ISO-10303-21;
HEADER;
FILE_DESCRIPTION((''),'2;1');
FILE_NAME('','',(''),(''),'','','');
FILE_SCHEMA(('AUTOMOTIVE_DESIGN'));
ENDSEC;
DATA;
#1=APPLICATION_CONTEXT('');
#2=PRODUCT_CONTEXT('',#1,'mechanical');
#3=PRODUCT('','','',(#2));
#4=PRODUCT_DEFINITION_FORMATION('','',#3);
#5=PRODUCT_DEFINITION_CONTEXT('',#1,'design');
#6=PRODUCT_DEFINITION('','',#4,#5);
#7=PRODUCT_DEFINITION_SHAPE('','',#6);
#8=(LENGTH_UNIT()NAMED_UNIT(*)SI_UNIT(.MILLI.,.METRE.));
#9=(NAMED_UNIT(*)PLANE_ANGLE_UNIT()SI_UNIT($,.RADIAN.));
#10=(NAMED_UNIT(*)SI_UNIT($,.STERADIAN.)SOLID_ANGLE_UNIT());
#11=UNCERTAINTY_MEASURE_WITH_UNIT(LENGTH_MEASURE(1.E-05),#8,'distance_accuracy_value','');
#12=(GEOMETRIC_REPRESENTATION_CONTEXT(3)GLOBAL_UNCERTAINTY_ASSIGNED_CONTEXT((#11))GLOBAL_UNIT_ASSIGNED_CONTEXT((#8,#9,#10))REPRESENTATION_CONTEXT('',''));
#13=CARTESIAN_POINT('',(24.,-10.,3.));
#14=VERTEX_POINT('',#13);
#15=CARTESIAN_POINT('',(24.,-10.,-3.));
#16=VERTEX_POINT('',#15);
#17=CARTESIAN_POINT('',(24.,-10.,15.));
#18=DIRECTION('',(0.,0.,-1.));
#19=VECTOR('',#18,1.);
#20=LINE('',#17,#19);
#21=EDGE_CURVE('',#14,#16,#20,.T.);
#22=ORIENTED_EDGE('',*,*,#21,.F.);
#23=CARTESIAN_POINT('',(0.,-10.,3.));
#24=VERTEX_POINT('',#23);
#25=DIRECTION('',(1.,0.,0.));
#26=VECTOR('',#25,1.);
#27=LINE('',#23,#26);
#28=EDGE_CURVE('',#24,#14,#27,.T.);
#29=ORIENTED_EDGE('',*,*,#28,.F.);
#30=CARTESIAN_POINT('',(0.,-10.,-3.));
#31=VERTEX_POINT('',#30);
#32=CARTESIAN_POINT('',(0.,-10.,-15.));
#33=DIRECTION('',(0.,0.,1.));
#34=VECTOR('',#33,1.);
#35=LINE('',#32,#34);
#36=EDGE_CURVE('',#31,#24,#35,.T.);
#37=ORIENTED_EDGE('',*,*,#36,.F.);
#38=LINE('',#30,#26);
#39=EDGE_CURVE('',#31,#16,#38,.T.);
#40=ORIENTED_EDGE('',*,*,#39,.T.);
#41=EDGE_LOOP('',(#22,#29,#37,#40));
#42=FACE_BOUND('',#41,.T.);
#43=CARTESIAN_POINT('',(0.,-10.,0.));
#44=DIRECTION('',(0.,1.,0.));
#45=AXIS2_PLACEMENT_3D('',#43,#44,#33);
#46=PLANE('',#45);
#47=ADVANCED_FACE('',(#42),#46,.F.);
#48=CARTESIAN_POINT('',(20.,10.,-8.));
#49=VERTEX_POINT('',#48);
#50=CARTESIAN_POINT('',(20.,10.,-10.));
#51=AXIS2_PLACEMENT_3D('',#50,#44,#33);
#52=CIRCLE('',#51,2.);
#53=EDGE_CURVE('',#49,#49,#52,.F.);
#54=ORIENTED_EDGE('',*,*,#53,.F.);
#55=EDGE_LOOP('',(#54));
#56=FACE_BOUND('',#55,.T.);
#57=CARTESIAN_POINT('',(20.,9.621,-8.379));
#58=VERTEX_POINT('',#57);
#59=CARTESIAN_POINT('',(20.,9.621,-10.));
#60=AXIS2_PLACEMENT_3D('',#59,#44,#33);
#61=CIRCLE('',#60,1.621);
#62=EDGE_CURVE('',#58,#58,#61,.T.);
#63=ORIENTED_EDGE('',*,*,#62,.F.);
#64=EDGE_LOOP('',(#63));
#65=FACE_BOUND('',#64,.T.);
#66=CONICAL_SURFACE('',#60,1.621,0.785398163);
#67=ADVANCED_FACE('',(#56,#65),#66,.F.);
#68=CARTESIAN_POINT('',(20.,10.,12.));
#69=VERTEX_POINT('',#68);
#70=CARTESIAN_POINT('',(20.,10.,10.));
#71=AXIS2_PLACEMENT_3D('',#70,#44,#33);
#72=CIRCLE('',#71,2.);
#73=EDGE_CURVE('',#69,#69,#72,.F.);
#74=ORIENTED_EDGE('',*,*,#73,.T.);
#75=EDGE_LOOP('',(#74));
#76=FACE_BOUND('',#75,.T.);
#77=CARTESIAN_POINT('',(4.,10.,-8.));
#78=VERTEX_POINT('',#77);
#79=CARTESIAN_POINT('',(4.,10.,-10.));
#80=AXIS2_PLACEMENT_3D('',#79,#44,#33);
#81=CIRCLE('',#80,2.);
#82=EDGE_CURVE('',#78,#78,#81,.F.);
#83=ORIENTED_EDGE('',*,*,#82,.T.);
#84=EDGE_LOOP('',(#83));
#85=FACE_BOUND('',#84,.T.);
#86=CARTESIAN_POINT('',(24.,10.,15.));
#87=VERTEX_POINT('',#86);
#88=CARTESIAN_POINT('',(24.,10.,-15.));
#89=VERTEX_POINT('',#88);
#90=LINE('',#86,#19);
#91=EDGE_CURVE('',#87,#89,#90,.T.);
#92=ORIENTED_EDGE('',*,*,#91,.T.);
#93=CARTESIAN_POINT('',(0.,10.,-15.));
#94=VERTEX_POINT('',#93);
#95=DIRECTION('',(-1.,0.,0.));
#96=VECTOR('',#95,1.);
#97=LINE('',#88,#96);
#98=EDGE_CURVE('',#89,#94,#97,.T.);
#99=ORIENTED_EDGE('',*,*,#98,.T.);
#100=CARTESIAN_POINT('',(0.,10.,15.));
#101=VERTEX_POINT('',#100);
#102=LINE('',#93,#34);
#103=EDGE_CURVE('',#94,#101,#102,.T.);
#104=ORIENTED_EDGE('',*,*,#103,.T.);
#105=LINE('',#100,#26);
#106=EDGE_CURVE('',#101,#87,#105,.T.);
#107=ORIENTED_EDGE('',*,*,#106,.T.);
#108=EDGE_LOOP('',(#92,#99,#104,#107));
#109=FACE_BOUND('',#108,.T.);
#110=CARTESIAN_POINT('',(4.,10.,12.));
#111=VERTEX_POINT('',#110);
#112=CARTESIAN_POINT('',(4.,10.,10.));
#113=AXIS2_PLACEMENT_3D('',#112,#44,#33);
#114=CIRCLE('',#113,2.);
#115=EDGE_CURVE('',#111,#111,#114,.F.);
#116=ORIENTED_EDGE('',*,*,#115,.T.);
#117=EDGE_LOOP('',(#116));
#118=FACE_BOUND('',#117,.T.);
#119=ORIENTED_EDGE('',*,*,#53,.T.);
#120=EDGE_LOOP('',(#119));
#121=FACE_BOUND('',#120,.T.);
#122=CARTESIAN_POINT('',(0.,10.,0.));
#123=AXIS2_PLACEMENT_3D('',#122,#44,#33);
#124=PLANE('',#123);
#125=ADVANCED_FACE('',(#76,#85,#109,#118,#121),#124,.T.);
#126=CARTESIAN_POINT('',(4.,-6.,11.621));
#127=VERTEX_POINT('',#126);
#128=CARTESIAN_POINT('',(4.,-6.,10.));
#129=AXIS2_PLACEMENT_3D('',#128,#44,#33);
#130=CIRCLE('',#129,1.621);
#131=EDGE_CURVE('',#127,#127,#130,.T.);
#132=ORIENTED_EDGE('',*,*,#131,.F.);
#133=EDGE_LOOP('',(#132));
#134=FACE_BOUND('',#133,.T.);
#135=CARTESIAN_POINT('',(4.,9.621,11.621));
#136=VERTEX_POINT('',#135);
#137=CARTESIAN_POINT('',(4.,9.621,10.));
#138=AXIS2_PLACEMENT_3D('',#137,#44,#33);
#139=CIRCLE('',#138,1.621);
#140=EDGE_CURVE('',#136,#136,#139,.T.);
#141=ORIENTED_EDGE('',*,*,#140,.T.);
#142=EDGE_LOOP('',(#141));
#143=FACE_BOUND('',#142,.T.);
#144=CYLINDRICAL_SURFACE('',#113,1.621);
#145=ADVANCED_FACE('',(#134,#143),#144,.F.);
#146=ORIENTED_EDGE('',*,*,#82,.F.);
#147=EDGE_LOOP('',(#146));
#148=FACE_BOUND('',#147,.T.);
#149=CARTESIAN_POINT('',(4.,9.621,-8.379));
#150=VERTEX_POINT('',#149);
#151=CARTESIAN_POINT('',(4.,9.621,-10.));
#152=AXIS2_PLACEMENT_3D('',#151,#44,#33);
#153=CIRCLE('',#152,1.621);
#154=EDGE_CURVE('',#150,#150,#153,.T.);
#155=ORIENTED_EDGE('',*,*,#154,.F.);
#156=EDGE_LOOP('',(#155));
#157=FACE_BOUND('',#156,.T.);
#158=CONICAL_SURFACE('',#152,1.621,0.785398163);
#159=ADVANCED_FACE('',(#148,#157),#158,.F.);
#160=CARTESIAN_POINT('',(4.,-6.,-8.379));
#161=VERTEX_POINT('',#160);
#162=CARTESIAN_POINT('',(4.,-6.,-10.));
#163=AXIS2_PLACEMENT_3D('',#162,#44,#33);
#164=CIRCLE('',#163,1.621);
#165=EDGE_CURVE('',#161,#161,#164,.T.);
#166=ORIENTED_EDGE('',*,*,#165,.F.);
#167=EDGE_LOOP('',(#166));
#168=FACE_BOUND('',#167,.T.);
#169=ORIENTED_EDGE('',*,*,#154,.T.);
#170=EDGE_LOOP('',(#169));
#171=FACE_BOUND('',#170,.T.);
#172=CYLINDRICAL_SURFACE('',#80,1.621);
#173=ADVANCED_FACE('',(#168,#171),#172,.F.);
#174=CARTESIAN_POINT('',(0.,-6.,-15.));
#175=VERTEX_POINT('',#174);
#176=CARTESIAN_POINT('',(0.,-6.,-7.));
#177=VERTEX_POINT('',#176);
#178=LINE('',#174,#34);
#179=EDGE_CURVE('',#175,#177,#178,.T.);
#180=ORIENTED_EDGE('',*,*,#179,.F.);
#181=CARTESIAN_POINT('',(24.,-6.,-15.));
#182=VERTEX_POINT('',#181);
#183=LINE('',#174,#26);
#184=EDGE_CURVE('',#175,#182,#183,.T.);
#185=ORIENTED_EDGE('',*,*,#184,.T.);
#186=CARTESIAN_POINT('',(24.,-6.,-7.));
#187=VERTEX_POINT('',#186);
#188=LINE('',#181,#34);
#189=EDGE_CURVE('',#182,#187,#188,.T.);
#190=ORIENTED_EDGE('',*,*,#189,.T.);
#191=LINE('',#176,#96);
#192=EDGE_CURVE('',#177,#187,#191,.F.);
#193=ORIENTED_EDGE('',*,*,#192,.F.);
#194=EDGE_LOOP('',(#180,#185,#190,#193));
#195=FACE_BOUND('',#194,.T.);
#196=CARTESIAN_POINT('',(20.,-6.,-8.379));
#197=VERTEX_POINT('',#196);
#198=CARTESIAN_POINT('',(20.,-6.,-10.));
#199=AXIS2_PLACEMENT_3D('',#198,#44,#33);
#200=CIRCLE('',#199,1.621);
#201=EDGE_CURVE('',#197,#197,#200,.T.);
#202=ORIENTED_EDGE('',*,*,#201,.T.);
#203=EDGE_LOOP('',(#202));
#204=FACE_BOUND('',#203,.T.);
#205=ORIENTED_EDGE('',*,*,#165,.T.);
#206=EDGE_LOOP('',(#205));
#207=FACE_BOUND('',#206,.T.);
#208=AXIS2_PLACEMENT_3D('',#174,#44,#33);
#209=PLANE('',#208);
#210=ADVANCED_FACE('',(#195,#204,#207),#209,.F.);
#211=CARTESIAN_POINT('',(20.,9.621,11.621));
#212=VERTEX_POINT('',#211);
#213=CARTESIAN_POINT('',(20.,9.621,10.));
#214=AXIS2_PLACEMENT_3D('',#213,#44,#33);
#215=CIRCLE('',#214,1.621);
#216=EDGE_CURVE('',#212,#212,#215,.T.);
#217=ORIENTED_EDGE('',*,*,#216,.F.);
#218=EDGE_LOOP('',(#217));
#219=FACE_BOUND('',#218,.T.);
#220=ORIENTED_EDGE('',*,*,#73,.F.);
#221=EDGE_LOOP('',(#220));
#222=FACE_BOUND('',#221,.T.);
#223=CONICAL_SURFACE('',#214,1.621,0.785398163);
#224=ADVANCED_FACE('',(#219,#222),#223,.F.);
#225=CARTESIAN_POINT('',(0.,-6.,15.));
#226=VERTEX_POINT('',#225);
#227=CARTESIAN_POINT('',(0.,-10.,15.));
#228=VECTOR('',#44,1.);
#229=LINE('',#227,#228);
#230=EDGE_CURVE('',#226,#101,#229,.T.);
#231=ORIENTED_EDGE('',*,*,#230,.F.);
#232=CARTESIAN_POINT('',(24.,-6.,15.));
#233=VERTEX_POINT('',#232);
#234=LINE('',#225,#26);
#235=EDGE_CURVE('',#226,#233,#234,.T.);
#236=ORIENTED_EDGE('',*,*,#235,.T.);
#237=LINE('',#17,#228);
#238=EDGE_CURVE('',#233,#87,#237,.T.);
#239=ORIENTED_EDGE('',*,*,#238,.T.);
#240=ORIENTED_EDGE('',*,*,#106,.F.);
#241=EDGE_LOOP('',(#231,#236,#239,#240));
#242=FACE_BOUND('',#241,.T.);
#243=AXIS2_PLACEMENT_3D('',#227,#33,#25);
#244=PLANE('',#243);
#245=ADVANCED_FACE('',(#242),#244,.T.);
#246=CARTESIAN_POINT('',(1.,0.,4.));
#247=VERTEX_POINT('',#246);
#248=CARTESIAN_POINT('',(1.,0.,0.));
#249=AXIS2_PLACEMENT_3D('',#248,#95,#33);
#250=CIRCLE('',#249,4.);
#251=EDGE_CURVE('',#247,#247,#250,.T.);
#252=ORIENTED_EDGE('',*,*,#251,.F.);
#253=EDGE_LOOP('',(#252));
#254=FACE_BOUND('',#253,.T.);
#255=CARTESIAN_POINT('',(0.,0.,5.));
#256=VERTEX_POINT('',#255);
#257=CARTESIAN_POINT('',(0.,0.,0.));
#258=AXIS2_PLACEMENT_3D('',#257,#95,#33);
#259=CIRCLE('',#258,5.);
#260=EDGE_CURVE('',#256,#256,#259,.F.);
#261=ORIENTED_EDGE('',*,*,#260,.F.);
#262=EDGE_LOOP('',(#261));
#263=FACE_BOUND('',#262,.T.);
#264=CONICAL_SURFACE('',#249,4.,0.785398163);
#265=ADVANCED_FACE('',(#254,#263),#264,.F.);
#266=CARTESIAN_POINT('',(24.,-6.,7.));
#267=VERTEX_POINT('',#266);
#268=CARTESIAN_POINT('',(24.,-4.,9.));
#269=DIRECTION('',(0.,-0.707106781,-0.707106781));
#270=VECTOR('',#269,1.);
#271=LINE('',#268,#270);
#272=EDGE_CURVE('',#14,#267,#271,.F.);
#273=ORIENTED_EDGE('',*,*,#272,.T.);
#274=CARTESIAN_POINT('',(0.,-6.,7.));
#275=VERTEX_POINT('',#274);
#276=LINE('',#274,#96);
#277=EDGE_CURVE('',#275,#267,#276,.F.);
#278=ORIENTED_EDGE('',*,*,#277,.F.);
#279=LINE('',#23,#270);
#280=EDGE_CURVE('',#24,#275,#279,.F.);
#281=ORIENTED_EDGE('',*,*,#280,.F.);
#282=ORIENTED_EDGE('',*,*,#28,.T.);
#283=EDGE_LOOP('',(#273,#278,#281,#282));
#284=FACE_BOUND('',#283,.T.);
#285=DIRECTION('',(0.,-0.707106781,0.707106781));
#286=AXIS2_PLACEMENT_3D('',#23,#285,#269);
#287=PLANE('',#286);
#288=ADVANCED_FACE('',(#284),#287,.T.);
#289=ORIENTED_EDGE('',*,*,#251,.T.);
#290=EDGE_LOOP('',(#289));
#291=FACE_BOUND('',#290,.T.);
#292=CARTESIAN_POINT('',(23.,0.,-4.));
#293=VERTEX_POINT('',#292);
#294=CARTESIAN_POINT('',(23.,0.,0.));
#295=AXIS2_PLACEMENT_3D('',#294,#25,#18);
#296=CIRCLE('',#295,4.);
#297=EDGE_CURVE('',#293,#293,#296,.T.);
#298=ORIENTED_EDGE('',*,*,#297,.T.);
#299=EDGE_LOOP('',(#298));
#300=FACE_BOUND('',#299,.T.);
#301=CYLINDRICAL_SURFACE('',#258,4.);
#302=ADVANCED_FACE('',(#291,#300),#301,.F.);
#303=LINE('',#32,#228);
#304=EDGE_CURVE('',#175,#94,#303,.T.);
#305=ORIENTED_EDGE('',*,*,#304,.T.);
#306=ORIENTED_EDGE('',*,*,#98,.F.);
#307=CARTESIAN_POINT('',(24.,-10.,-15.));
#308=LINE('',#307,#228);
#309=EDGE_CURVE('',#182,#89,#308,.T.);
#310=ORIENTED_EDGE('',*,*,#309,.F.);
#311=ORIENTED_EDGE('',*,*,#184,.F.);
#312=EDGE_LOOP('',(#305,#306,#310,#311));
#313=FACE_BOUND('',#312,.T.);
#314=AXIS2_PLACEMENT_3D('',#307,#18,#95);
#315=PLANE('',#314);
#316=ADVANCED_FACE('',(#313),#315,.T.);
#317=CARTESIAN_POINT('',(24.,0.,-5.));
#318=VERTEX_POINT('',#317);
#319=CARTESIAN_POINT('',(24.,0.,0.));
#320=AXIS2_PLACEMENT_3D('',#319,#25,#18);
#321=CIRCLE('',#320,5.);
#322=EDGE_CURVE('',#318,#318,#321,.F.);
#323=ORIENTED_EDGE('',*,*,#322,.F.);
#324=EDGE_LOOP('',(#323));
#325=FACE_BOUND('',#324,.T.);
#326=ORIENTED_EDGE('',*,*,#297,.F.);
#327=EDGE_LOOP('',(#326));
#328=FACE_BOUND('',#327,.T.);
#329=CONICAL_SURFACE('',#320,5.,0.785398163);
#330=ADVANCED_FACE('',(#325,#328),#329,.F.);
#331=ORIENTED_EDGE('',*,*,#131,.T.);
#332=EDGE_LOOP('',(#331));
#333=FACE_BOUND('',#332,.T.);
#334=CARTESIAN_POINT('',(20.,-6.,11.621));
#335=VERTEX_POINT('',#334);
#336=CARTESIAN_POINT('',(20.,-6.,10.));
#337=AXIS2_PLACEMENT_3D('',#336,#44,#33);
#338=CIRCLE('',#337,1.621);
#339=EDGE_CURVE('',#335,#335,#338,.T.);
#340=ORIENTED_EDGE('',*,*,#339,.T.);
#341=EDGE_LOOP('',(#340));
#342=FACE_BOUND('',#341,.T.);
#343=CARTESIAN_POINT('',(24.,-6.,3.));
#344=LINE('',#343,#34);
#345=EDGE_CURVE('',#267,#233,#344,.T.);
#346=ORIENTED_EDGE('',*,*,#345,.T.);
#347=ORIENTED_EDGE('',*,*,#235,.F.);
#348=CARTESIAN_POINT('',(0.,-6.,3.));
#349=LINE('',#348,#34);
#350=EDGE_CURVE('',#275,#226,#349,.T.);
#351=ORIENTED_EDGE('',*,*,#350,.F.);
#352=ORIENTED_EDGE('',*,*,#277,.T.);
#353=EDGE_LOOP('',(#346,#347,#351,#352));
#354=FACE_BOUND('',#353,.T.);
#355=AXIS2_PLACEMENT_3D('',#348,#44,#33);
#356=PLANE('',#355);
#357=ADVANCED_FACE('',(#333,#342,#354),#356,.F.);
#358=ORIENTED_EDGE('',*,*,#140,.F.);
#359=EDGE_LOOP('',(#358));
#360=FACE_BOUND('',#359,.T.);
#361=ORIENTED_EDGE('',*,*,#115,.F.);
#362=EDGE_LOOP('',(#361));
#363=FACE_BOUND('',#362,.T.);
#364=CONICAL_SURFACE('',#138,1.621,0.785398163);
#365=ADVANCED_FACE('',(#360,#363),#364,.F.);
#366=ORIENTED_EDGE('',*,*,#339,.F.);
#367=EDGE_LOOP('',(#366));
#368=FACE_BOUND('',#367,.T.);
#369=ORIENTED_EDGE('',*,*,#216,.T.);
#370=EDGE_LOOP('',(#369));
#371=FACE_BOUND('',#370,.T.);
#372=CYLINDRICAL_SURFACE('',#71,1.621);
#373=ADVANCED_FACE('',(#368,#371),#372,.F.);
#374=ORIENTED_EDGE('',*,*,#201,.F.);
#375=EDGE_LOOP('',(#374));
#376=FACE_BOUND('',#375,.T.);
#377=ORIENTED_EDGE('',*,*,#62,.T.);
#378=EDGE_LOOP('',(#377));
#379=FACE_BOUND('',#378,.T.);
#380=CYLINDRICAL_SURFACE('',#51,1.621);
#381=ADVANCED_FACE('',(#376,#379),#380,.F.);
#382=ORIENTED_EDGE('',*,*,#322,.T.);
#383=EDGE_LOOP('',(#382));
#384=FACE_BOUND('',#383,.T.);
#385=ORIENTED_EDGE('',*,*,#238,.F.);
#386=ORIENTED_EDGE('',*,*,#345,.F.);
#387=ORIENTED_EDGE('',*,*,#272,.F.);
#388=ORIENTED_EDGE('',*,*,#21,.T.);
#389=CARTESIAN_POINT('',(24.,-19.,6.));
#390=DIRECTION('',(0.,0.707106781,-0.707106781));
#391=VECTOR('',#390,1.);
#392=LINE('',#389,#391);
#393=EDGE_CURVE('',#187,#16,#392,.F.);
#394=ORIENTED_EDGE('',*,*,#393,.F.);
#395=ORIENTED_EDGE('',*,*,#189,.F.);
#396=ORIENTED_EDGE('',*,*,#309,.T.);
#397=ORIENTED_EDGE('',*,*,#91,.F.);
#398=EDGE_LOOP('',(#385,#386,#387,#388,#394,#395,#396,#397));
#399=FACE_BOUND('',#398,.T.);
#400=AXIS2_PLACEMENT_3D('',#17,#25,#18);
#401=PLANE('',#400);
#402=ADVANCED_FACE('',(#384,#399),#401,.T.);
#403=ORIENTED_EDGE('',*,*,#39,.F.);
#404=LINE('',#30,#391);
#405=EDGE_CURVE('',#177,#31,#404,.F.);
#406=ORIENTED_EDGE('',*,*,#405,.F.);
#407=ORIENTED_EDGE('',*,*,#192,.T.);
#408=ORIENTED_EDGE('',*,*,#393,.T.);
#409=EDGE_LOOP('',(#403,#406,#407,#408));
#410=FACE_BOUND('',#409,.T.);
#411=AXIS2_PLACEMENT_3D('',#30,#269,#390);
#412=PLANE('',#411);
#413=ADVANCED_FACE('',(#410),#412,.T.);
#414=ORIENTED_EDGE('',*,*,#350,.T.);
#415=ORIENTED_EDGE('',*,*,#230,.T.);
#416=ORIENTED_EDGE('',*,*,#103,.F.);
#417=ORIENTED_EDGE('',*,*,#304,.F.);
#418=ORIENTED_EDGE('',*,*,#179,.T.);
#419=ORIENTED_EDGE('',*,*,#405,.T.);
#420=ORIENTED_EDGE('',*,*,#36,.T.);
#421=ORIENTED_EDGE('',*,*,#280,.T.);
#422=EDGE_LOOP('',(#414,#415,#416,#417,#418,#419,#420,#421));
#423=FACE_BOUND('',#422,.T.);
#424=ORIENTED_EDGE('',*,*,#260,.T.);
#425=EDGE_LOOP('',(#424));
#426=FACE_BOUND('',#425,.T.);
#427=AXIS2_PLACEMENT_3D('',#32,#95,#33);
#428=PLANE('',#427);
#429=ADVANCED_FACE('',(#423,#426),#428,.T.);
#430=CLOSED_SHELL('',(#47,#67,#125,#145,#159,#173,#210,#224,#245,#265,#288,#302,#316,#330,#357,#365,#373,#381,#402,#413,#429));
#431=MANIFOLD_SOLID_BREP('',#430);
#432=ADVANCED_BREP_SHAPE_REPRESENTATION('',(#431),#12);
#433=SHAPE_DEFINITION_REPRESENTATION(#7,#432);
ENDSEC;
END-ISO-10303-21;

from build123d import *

# Parameters (mm, degrees)
ESQUISSE1_W                   = 24
ESQUISSE1_H                   = 30
BOSS_EXTRU_1_DEPTH            = 20
ESQUISSE2_W                   = 12
ESQUISSE2_H                   = 4
ENL_V_MAT_EXTRU_1_DEPTH       = 31.01666204
ESQUISSE3_W                   = 12
ESQUISSE3_H                   = 4
ENL_V_MAT_EXTRU_2_DEPTH       = 31.01666204
D_POUILLE1_ANGLE              = 45
DIAM_TRE_DU_PER_AGE_8_0_8_1_D = 8
D_GAGEMENT_M31_D              = 3.242
D_GAGEMENT_M31_DEPTH          = 20
CHANFREIN1_SIZE               = 0.379
CHANFREIN2_SIZE               = 1


with BuildPart() as part:
    # Esquisse1 → Boss.-Extru.1 (new body)
    with BuildSketch(Plane(origin=(0, 10, 0), x_dir=(1, 0, 0), z_dir=(0, 1, 0))):
        with Locations((12, 0)):
            Rectangle(ESQUISSE1_W, ESQUISSE1_H)
    extrude(amount=-BOSS_EXTRU_1_DEPTH)

    # Esquisse2 → Enlèv. mat.-Extru.1 (cut, through all)
    with BuildSketch(Plane(origin=(24, 0, 0), x_dir=(0, 0, -1), z_dir=(1, 0, 0))):
        with Locations((9, -8)):
            Rectangle(ESQUISSE2_W, ESQUISSE2_H)
    extrude(amount=-ENL_V_MAT_EXTRU_1_DEPTH, mode=Mode.SUBTRACT)

    # Esquisse3 → Enlèv. mat.-Extru.2 (cut, through all)
    with BuildSketch(Plane(origin=(24, 0, 0), x_dir=(0, 0, -1), z_dir=(1, 0, 0))):
        with Locations((-9, -8)):
            Rectangle(ESQUISSE3_W, ESQUISSE3_H)
    extrude(amount=-ENL_V_MAT_EXTRU_2_DEPTH, mode=Mode.SUBTRACT)

    # Dépouille1
    d_pouille1_faces = [part.faces().sort_by_distance(p)[0] for p in [
        (12, -8, -3),
        (12, -8, 3),
    ]]
    draft(d_pouille1_faces, Plane(origin=(0, -10, 0), x_dir=(0, 0, -1), z_dir=(0, -1, 0)), D_POUILLE1_ANGLE)

    # Diamètre du perçage Ø8.0 (8)1 (through all)
    with Locations(Plane.ZY):
        with Locations((0, 0)):
            Hole(DIAM_TRE_DU_PER_AGE_8_0_8_1_D / 2)

    # Dégagement M31
    with Locations(Plane(origin=(0, 10, 0), x_dir=(1, 0, 0), z_dir=(0, 1, 0))):
        with Locations((20, -10), (4, -10), (4, 10), (20, 10)):
            Hole(D_GAGEMENT_M31_D / 2, depth=D_GAGEMENT_M31_DEPTH)

    # Chanfrein1
    chanfrein1_edges = [part.edges().sort_by_distance(p)[0] for p in [
        (21.621, 10, -10),
        (5.621, 10, -10),
        (5.621, 10, 10),
        (21.621, 10, 10),
    ]]
    chamfer(chanfrein1_edges, length=CHANFREIN1_SIZE)

    # Chanfrein2
    chanfrein2_edges = [part.edges().sort_by_distance(p)[0] for p in [
        (0, 0, 4),
        (24, 0, 4),
    ]]
    chamfer(chanfrein2_edges, length=CHANFREIN2_SIZE)


solid = part.part
